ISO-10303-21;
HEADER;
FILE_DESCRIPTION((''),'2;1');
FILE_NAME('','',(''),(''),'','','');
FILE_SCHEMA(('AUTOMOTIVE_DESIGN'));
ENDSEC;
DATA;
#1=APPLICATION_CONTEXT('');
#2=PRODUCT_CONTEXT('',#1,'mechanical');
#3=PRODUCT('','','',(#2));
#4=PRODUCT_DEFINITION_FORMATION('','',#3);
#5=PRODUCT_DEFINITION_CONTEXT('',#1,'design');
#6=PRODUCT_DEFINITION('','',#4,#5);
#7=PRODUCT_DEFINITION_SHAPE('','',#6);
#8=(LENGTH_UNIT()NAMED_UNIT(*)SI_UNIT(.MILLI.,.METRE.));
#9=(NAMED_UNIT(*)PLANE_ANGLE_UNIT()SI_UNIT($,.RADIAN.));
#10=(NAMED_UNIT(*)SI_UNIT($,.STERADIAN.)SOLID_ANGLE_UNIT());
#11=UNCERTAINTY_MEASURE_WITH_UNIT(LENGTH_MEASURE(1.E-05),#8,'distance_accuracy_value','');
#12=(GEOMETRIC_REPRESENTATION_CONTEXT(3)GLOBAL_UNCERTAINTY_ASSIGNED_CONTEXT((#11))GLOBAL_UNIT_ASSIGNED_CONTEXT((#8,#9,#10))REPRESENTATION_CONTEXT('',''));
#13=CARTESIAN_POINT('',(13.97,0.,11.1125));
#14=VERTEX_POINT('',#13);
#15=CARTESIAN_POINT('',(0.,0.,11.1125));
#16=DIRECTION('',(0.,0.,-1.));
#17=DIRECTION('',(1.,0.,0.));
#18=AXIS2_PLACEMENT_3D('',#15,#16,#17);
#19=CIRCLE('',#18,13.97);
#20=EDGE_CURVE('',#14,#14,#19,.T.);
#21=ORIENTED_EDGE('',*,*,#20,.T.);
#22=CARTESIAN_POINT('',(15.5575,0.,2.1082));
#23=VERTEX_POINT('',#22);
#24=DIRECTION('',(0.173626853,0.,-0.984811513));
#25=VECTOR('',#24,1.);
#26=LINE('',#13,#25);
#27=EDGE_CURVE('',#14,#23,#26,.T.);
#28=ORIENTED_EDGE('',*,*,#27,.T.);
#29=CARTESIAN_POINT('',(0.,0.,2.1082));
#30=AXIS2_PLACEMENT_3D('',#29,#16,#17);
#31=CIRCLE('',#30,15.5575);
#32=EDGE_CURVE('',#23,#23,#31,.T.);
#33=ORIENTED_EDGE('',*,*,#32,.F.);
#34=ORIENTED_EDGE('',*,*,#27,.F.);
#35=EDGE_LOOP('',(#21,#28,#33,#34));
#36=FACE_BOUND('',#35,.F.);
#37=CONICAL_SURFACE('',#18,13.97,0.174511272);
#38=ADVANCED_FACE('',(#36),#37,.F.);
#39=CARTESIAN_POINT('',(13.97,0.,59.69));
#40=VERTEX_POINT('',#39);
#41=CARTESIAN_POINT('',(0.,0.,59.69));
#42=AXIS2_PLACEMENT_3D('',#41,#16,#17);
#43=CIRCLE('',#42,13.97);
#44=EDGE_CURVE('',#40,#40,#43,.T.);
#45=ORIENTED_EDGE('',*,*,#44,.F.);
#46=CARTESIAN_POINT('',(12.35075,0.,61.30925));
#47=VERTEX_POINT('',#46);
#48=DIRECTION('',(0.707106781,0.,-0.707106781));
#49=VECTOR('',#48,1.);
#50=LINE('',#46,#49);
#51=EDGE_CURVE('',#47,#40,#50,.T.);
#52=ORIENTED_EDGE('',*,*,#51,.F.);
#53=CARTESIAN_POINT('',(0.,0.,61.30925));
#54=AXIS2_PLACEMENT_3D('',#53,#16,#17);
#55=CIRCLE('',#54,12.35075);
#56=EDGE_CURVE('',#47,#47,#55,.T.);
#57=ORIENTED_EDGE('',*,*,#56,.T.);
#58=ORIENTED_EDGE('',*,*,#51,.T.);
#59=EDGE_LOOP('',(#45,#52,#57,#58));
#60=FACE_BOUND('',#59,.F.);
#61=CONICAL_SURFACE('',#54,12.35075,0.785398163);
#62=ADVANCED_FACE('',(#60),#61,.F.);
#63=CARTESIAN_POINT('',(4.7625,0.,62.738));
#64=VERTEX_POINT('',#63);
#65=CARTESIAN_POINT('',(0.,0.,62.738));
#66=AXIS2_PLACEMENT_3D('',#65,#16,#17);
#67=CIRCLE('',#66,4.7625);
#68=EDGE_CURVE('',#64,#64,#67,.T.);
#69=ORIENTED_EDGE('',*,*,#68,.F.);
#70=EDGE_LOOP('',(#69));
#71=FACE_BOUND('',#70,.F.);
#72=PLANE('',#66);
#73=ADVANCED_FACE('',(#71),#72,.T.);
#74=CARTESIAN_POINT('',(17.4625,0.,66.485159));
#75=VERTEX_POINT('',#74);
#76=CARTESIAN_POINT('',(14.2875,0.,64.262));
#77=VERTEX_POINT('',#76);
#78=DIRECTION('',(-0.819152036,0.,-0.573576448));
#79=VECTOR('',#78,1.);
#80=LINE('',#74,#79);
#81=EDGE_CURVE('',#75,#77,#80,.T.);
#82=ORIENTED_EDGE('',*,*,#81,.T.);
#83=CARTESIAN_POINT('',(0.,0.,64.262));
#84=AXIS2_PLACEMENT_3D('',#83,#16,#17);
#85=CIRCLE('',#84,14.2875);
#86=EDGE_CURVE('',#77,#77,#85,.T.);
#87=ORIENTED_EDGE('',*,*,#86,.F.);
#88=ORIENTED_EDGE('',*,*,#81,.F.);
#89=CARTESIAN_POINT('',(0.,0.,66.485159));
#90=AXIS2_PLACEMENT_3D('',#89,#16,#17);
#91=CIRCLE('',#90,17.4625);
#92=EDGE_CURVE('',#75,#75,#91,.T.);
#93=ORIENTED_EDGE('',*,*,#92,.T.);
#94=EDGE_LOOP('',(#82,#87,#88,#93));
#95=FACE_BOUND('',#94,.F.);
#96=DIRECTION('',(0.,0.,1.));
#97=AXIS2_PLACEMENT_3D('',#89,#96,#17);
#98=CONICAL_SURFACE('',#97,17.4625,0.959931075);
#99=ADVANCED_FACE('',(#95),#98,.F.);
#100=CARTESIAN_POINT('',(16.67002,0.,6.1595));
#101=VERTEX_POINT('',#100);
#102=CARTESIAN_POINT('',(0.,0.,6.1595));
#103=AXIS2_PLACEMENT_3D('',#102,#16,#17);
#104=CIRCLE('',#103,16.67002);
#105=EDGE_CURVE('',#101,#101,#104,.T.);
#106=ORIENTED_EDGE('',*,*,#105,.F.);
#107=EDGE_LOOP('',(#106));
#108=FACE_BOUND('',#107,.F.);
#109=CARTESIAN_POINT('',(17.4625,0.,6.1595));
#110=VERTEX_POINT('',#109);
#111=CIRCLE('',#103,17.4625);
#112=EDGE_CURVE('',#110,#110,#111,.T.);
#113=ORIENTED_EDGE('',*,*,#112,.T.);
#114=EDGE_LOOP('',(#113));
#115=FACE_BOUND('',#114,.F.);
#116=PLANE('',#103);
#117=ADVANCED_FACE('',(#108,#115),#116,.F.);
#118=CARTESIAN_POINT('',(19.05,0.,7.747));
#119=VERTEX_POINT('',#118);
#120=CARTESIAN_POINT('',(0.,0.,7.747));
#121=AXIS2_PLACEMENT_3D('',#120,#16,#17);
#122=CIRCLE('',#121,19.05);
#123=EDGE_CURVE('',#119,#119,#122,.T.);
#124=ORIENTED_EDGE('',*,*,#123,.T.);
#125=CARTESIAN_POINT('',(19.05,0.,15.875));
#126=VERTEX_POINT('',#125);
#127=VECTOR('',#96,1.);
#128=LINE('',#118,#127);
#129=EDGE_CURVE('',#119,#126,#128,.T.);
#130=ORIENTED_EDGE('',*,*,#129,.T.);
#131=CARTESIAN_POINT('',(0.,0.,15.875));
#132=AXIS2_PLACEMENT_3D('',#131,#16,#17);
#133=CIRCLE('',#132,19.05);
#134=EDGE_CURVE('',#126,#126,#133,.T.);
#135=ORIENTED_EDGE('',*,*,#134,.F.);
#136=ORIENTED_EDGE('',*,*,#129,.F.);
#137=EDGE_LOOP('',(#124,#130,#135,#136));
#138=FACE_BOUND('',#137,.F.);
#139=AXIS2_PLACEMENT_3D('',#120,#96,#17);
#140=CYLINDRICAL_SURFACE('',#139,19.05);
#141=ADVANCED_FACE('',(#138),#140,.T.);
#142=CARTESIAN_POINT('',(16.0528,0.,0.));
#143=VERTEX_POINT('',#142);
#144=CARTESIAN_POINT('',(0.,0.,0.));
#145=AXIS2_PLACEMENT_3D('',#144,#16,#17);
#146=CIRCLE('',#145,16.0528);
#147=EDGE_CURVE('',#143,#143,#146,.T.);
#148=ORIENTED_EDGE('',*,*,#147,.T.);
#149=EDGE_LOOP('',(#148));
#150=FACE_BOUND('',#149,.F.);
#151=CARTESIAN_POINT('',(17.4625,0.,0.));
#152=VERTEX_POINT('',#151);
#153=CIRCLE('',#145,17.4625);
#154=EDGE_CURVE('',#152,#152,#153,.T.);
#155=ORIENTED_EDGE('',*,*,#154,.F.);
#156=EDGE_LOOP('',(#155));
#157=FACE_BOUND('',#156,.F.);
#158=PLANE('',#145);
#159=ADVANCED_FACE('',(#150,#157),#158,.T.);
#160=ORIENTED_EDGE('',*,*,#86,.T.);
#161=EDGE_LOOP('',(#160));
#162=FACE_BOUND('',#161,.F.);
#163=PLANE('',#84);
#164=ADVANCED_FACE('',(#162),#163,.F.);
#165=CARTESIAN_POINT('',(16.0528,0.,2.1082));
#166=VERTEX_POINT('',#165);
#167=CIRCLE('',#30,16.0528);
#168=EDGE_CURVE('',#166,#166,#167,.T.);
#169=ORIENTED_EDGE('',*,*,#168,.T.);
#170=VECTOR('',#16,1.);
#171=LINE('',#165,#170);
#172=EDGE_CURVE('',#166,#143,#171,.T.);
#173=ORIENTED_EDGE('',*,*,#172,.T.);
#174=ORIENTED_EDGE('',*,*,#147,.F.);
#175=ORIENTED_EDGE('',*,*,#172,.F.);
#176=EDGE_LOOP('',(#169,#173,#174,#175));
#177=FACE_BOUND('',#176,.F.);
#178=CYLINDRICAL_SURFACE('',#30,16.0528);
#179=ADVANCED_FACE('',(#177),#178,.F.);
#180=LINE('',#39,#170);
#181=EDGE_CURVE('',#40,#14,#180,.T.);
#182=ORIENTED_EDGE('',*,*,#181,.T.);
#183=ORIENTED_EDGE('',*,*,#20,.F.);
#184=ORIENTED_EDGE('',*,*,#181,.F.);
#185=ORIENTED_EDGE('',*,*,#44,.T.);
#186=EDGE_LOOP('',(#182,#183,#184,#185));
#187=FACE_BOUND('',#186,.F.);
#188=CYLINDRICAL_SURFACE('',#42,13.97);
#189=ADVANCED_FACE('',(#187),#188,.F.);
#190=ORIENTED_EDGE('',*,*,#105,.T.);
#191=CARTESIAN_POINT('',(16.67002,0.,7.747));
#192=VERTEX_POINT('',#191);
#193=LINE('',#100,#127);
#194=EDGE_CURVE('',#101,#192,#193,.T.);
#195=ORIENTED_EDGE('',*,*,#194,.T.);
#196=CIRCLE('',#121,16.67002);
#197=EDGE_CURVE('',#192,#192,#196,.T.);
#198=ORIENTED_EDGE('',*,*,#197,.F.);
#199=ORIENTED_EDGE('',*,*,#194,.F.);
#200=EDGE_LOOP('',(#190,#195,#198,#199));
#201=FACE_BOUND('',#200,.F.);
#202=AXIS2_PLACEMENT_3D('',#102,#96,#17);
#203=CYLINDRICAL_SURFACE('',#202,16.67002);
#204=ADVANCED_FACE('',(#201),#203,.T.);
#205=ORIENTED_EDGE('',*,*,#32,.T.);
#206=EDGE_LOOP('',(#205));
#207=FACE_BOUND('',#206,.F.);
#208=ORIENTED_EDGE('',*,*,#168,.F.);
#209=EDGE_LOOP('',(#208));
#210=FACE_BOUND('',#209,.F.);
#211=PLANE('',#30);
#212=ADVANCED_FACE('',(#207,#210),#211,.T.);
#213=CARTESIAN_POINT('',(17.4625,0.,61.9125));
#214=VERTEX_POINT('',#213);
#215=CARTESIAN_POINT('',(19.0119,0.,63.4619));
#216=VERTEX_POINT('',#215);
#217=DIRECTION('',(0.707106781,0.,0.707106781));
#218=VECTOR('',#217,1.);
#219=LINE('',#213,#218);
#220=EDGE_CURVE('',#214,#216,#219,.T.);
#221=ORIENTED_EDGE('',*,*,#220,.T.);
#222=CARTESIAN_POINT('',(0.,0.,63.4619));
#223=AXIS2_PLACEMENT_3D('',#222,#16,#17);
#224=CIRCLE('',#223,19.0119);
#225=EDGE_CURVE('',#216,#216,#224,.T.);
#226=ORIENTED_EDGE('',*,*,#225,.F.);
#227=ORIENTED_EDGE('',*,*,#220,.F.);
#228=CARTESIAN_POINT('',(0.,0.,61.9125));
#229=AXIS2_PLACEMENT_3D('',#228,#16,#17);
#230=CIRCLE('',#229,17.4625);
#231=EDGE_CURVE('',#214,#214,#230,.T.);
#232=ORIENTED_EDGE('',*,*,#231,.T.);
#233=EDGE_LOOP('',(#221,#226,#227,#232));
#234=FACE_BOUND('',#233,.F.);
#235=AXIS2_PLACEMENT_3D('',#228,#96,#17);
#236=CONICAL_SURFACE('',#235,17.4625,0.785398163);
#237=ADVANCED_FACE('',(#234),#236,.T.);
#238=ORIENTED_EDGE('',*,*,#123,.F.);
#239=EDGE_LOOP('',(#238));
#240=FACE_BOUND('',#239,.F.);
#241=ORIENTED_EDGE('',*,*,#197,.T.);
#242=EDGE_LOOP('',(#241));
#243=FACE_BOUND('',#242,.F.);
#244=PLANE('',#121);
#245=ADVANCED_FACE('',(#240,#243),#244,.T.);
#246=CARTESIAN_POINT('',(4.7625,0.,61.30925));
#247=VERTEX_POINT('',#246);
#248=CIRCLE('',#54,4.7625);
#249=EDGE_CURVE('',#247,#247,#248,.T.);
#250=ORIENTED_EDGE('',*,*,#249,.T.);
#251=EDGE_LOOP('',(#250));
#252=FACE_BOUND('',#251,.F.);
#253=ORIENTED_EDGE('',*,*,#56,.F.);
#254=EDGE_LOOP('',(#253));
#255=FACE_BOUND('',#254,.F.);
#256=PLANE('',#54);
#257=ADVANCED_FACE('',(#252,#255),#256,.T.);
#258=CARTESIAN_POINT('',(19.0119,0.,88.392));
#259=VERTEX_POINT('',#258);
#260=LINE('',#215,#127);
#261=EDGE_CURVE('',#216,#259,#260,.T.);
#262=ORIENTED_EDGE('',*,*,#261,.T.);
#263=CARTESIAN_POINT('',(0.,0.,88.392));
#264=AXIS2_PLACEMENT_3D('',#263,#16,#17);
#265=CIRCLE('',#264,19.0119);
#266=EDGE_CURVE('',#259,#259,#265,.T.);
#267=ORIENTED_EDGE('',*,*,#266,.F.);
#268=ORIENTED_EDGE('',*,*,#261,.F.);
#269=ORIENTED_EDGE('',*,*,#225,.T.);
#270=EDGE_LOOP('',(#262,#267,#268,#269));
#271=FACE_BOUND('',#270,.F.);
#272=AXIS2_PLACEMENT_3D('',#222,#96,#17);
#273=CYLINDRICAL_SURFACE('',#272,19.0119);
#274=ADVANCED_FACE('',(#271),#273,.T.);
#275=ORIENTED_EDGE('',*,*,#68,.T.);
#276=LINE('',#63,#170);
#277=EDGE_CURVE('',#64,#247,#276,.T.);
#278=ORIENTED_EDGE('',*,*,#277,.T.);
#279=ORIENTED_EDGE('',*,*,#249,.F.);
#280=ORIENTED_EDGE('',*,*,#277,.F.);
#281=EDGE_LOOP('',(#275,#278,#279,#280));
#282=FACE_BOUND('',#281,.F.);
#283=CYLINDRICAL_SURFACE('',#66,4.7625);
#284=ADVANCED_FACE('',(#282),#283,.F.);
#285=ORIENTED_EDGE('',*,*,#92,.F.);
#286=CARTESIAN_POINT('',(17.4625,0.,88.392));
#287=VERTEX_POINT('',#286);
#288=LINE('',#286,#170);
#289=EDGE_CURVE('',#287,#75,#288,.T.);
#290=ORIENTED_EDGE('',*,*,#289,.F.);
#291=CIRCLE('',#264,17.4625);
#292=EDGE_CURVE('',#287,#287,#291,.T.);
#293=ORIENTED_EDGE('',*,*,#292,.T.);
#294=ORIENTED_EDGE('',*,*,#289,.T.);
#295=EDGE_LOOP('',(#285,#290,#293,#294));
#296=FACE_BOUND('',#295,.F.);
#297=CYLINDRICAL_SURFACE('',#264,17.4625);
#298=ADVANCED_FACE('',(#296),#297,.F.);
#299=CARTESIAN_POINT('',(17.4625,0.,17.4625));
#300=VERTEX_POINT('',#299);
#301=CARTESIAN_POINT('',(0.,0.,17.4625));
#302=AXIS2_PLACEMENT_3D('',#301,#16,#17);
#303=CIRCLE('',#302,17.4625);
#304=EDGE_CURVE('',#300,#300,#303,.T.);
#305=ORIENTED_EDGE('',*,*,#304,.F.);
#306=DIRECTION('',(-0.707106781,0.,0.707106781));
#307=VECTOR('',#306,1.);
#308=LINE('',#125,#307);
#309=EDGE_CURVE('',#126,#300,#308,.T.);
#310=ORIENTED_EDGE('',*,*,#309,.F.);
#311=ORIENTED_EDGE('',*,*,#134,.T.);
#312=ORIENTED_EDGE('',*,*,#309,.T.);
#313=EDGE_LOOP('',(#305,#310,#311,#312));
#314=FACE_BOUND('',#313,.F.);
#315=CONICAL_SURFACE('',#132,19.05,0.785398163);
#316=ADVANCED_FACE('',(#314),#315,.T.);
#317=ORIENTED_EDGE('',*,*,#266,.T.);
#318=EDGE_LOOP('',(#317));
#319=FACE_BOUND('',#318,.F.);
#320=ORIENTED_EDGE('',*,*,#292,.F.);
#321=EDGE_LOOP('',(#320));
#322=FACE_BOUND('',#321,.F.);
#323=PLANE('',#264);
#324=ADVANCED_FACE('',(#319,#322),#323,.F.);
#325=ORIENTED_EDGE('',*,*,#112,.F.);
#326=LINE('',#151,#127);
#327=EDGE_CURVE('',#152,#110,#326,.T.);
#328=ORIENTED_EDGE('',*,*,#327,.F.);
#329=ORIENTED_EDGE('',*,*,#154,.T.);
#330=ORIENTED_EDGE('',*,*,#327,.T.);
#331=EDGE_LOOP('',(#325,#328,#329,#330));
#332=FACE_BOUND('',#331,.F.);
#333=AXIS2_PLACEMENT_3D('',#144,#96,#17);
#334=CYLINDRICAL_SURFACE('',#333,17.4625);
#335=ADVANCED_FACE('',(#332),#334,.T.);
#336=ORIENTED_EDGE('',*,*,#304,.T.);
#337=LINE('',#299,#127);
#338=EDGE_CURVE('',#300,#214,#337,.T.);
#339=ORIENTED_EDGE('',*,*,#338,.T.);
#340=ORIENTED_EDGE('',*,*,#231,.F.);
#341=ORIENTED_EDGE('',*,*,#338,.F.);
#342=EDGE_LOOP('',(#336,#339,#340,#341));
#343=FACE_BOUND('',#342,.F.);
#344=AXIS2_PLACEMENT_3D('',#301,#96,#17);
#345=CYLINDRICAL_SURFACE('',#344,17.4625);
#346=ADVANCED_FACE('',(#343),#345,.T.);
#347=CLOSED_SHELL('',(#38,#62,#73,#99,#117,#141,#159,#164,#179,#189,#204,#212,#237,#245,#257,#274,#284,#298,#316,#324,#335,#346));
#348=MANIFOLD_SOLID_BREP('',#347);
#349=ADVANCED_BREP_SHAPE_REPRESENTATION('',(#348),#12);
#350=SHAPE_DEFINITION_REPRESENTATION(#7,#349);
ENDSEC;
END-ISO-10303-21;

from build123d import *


with BuildPart() as f1:
    # F0 (on Front) → F1 (revolve)
    with BuildSketch(Plane.XZ):
        Polygon((16.0528, 2.1082), (16.0528, 0), (17.4625, 0), (17.4625, 6.1595), (16.67002, 6.1595), (16.67002, 7.747), (19.05, 7.747), (19.05, 15.875), (17.4625, 17.4625), (17.4625, 61.9125), (19.0119, 63.4619), (19.0119, 88.392), (17.4625, 88.392), (17.4625, 66.485159), (14.2875, 64.262), (0, 64.262), (0, 62.738), (4.7625, 62.738), (4.7625, 61.30925), (12.35075, 61.30925), (13.97, 59.69), (13.97, 11.1125), (15.5575, 2.1082), align=None)
    revolve(axis=Axis((0, 0, 63.5), (0, 0, -1)))


solid = f1.part
